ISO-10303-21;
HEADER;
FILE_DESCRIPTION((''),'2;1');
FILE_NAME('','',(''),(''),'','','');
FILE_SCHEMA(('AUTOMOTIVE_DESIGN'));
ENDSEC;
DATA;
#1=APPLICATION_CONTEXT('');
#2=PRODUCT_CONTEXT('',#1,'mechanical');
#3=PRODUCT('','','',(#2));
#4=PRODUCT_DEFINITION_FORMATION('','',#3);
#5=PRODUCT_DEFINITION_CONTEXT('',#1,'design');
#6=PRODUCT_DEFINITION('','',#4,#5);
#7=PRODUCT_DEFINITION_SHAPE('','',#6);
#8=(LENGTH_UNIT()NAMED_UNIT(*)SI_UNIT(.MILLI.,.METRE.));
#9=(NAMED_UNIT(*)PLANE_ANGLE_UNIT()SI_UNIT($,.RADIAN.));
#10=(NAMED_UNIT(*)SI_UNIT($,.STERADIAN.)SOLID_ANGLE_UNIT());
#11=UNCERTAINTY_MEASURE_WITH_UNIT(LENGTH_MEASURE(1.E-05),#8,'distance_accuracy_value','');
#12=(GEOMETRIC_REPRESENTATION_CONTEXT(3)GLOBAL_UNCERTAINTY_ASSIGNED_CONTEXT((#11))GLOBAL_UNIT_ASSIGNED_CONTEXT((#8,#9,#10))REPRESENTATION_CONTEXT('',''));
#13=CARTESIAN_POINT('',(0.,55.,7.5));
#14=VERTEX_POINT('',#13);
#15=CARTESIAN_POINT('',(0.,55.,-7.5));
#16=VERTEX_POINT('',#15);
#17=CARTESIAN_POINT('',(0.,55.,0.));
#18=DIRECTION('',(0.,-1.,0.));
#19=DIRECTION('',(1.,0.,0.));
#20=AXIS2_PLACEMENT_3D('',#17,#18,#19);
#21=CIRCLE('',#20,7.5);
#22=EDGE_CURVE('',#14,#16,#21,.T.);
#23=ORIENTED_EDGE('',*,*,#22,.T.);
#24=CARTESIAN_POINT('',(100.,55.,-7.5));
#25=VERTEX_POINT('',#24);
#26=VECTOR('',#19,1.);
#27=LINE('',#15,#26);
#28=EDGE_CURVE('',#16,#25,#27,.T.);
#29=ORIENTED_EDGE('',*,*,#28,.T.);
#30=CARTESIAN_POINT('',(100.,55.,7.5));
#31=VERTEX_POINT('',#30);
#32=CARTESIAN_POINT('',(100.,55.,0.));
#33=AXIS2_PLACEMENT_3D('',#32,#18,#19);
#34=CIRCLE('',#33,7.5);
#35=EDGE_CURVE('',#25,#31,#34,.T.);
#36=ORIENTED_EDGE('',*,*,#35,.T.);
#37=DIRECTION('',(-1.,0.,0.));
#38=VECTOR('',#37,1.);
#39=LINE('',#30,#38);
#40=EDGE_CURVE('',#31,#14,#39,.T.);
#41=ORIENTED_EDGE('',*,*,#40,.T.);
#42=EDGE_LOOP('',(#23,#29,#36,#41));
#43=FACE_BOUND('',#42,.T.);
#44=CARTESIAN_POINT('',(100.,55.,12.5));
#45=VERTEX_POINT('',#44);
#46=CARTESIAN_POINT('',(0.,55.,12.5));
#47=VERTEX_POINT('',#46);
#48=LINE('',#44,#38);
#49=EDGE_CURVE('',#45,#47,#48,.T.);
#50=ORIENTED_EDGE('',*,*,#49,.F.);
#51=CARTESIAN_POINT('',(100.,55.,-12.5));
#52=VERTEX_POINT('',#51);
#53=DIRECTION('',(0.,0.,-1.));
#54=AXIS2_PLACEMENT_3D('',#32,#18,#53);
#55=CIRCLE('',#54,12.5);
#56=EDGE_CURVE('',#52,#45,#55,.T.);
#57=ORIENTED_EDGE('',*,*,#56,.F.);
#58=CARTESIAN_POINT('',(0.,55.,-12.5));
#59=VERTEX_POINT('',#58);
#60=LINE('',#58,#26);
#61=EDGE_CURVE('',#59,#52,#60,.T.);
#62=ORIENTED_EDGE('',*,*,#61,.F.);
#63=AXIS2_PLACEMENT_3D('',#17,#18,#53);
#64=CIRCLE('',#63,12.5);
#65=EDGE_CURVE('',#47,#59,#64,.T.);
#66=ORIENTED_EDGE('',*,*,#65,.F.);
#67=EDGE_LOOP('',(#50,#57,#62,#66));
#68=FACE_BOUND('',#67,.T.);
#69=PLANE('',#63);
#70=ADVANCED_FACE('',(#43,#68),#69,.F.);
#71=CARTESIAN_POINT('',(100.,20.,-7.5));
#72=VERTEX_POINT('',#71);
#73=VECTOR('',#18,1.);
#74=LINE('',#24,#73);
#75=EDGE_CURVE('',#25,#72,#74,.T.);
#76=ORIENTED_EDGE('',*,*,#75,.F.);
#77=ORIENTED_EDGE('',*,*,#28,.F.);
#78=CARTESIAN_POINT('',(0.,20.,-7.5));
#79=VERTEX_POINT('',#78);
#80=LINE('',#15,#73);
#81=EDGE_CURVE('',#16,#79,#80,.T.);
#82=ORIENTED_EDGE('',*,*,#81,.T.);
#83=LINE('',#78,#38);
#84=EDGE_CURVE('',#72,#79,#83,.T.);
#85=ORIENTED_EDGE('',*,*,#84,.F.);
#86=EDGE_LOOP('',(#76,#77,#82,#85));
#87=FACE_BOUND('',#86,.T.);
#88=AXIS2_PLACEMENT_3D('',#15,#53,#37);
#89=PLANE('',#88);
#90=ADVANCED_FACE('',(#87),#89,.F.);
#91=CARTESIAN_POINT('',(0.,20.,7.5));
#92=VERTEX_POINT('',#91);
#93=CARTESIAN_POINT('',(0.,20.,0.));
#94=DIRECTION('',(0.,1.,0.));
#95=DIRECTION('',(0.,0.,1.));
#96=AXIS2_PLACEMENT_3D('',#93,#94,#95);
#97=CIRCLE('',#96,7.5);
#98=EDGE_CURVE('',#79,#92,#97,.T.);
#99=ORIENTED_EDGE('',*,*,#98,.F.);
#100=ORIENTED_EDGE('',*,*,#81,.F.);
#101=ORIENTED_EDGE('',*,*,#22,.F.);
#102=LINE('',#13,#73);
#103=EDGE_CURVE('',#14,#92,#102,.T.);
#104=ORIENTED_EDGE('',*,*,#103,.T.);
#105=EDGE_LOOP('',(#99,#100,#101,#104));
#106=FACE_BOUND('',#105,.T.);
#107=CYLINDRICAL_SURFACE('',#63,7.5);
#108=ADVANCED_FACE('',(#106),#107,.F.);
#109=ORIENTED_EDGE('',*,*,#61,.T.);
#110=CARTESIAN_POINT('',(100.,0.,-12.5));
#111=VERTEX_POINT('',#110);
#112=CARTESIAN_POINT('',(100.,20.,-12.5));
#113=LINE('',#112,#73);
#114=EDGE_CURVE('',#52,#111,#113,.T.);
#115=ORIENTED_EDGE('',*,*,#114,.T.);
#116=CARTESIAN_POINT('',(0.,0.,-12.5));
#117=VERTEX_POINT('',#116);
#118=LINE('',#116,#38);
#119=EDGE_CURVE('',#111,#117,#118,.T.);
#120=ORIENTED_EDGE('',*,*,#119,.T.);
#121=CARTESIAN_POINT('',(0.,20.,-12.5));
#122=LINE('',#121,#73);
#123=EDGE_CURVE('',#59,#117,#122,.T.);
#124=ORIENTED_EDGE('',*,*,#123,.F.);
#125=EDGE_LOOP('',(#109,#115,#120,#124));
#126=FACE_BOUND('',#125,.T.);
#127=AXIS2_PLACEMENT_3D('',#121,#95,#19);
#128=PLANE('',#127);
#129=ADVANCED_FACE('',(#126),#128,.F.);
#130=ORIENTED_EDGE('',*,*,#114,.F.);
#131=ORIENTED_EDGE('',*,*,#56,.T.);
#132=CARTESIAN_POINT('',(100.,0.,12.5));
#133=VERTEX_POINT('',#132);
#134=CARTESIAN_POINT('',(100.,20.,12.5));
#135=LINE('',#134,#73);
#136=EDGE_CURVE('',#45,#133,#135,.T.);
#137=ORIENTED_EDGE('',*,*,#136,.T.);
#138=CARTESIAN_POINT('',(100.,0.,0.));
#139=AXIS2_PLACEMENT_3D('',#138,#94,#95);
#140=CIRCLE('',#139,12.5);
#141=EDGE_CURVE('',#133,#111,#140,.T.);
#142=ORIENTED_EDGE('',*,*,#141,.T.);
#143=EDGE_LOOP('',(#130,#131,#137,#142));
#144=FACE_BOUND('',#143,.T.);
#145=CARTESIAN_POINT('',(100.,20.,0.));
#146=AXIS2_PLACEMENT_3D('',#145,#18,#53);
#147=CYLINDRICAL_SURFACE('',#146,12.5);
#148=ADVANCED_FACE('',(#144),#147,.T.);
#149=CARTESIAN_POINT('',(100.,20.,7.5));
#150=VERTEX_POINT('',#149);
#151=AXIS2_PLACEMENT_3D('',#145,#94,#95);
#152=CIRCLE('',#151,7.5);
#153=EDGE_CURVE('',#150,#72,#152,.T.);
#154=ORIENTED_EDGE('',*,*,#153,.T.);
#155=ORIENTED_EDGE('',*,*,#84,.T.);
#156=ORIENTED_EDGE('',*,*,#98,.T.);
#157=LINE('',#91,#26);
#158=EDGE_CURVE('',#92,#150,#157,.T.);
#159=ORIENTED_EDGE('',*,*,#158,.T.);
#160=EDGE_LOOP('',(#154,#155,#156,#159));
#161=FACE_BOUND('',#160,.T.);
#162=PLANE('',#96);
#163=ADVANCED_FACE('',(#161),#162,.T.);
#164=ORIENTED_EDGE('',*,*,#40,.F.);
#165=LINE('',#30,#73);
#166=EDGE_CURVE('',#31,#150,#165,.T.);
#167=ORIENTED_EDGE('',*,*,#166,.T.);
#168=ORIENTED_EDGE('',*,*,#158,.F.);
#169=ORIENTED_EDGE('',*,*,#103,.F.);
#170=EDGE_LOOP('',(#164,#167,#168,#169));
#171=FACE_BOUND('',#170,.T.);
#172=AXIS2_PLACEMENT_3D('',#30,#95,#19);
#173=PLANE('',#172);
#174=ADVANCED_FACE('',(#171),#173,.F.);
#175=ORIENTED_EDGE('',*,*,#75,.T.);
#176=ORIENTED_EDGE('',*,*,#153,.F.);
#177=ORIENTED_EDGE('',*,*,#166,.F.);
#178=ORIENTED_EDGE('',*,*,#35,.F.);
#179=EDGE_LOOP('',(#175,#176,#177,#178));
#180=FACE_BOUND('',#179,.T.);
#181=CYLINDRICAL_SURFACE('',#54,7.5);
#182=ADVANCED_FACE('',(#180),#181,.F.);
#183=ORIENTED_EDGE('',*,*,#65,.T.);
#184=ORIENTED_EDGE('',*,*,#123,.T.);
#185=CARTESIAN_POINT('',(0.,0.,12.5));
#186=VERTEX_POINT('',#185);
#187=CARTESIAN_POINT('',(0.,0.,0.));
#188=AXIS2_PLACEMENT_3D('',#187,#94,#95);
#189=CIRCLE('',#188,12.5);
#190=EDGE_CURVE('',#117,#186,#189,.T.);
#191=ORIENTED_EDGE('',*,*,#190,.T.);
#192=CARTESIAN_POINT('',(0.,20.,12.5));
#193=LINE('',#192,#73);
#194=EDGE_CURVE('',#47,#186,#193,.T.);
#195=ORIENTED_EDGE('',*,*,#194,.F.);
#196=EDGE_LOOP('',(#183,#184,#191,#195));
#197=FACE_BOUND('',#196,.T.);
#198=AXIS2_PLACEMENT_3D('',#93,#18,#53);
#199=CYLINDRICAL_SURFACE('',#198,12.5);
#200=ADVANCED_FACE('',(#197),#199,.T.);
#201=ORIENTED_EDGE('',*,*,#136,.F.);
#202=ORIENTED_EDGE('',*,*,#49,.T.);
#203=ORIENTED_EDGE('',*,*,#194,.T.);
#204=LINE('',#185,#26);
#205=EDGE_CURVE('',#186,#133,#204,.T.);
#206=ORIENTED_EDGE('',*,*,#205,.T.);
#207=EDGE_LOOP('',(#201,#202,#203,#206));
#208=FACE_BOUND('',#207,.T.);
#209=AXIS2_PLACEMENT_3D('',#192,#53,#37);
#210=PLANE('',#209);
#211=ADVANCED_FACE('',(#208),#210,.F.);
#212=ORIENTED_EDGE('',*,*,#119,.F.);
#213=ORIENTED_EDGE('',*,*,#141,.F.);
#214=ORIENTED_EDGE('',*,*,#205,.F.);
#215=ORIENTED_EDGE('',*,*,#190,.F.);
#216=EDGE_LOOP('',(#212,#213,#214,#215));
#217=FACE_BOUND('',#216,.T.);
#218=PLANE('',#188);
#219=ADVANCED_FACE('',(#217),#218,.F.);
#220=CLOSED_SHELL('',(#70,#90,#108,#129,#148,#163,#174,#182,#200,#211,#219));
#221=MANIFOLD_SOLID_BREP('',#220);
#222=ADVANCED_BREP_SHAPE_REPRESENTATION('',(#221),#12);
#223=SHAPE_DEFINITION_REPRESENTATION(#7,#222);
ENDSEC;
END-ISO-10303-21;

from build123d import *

# Parameters (mm, degrees)
EXTRUDE_1_DEPTH   = 20
EXTRUDE_1_2_DEPTH = 55


with BuildPart() as part:
    # 草图1 → Extrude 1 (new body)
    with BuildSketch(Plane(origin=(0, 0, 0), x_dir=(1, 0, 0), z_dir=(0, 1, 0))):
        with BuildLine():
            Line((0, 12.5), (100, 12.5))
            ThreePointArc((100, 12.5), (112.5, 0), (100, -12.5))
            Line((100, -12.5), (0, -12.5))
            ThreePointArc((0, -12.5), (-12.5, 0), (0, 12.5))
        make_face()
    extrude(amount=EXTRUDE_1_DEPTH)

    # 草图2 → Extrude 1 2 (add)
    with BuildSketch(Plane.XZ):
        with BuildLine():
            Line((100, 12.5), (0, 12.5))
            ThreePointArc((0, 12.5), (-12.5, 0), (0, -12.5))
            Line((0, -12.5), (100, -12.5))
            ThreePointArc((100, -12.5), (112.5, 0), (100, 12.5))
        make_face()
        with BuildLine():
            Line((100, 7.5), (0, 7.5))
            ThreePointArc((0, 7.5), (-7.5, 0), (0, -7.5))
            Line((0, -7.5), (100, -7.5))
            ThreePointArc((100, -7.5), (107.5, 0), (100, 7.5))
        make_face(mode=Mode.SUBTRACT)
    extrude(amount=-EXTRUDE_1_2_DEPTH)


solid = part.part
